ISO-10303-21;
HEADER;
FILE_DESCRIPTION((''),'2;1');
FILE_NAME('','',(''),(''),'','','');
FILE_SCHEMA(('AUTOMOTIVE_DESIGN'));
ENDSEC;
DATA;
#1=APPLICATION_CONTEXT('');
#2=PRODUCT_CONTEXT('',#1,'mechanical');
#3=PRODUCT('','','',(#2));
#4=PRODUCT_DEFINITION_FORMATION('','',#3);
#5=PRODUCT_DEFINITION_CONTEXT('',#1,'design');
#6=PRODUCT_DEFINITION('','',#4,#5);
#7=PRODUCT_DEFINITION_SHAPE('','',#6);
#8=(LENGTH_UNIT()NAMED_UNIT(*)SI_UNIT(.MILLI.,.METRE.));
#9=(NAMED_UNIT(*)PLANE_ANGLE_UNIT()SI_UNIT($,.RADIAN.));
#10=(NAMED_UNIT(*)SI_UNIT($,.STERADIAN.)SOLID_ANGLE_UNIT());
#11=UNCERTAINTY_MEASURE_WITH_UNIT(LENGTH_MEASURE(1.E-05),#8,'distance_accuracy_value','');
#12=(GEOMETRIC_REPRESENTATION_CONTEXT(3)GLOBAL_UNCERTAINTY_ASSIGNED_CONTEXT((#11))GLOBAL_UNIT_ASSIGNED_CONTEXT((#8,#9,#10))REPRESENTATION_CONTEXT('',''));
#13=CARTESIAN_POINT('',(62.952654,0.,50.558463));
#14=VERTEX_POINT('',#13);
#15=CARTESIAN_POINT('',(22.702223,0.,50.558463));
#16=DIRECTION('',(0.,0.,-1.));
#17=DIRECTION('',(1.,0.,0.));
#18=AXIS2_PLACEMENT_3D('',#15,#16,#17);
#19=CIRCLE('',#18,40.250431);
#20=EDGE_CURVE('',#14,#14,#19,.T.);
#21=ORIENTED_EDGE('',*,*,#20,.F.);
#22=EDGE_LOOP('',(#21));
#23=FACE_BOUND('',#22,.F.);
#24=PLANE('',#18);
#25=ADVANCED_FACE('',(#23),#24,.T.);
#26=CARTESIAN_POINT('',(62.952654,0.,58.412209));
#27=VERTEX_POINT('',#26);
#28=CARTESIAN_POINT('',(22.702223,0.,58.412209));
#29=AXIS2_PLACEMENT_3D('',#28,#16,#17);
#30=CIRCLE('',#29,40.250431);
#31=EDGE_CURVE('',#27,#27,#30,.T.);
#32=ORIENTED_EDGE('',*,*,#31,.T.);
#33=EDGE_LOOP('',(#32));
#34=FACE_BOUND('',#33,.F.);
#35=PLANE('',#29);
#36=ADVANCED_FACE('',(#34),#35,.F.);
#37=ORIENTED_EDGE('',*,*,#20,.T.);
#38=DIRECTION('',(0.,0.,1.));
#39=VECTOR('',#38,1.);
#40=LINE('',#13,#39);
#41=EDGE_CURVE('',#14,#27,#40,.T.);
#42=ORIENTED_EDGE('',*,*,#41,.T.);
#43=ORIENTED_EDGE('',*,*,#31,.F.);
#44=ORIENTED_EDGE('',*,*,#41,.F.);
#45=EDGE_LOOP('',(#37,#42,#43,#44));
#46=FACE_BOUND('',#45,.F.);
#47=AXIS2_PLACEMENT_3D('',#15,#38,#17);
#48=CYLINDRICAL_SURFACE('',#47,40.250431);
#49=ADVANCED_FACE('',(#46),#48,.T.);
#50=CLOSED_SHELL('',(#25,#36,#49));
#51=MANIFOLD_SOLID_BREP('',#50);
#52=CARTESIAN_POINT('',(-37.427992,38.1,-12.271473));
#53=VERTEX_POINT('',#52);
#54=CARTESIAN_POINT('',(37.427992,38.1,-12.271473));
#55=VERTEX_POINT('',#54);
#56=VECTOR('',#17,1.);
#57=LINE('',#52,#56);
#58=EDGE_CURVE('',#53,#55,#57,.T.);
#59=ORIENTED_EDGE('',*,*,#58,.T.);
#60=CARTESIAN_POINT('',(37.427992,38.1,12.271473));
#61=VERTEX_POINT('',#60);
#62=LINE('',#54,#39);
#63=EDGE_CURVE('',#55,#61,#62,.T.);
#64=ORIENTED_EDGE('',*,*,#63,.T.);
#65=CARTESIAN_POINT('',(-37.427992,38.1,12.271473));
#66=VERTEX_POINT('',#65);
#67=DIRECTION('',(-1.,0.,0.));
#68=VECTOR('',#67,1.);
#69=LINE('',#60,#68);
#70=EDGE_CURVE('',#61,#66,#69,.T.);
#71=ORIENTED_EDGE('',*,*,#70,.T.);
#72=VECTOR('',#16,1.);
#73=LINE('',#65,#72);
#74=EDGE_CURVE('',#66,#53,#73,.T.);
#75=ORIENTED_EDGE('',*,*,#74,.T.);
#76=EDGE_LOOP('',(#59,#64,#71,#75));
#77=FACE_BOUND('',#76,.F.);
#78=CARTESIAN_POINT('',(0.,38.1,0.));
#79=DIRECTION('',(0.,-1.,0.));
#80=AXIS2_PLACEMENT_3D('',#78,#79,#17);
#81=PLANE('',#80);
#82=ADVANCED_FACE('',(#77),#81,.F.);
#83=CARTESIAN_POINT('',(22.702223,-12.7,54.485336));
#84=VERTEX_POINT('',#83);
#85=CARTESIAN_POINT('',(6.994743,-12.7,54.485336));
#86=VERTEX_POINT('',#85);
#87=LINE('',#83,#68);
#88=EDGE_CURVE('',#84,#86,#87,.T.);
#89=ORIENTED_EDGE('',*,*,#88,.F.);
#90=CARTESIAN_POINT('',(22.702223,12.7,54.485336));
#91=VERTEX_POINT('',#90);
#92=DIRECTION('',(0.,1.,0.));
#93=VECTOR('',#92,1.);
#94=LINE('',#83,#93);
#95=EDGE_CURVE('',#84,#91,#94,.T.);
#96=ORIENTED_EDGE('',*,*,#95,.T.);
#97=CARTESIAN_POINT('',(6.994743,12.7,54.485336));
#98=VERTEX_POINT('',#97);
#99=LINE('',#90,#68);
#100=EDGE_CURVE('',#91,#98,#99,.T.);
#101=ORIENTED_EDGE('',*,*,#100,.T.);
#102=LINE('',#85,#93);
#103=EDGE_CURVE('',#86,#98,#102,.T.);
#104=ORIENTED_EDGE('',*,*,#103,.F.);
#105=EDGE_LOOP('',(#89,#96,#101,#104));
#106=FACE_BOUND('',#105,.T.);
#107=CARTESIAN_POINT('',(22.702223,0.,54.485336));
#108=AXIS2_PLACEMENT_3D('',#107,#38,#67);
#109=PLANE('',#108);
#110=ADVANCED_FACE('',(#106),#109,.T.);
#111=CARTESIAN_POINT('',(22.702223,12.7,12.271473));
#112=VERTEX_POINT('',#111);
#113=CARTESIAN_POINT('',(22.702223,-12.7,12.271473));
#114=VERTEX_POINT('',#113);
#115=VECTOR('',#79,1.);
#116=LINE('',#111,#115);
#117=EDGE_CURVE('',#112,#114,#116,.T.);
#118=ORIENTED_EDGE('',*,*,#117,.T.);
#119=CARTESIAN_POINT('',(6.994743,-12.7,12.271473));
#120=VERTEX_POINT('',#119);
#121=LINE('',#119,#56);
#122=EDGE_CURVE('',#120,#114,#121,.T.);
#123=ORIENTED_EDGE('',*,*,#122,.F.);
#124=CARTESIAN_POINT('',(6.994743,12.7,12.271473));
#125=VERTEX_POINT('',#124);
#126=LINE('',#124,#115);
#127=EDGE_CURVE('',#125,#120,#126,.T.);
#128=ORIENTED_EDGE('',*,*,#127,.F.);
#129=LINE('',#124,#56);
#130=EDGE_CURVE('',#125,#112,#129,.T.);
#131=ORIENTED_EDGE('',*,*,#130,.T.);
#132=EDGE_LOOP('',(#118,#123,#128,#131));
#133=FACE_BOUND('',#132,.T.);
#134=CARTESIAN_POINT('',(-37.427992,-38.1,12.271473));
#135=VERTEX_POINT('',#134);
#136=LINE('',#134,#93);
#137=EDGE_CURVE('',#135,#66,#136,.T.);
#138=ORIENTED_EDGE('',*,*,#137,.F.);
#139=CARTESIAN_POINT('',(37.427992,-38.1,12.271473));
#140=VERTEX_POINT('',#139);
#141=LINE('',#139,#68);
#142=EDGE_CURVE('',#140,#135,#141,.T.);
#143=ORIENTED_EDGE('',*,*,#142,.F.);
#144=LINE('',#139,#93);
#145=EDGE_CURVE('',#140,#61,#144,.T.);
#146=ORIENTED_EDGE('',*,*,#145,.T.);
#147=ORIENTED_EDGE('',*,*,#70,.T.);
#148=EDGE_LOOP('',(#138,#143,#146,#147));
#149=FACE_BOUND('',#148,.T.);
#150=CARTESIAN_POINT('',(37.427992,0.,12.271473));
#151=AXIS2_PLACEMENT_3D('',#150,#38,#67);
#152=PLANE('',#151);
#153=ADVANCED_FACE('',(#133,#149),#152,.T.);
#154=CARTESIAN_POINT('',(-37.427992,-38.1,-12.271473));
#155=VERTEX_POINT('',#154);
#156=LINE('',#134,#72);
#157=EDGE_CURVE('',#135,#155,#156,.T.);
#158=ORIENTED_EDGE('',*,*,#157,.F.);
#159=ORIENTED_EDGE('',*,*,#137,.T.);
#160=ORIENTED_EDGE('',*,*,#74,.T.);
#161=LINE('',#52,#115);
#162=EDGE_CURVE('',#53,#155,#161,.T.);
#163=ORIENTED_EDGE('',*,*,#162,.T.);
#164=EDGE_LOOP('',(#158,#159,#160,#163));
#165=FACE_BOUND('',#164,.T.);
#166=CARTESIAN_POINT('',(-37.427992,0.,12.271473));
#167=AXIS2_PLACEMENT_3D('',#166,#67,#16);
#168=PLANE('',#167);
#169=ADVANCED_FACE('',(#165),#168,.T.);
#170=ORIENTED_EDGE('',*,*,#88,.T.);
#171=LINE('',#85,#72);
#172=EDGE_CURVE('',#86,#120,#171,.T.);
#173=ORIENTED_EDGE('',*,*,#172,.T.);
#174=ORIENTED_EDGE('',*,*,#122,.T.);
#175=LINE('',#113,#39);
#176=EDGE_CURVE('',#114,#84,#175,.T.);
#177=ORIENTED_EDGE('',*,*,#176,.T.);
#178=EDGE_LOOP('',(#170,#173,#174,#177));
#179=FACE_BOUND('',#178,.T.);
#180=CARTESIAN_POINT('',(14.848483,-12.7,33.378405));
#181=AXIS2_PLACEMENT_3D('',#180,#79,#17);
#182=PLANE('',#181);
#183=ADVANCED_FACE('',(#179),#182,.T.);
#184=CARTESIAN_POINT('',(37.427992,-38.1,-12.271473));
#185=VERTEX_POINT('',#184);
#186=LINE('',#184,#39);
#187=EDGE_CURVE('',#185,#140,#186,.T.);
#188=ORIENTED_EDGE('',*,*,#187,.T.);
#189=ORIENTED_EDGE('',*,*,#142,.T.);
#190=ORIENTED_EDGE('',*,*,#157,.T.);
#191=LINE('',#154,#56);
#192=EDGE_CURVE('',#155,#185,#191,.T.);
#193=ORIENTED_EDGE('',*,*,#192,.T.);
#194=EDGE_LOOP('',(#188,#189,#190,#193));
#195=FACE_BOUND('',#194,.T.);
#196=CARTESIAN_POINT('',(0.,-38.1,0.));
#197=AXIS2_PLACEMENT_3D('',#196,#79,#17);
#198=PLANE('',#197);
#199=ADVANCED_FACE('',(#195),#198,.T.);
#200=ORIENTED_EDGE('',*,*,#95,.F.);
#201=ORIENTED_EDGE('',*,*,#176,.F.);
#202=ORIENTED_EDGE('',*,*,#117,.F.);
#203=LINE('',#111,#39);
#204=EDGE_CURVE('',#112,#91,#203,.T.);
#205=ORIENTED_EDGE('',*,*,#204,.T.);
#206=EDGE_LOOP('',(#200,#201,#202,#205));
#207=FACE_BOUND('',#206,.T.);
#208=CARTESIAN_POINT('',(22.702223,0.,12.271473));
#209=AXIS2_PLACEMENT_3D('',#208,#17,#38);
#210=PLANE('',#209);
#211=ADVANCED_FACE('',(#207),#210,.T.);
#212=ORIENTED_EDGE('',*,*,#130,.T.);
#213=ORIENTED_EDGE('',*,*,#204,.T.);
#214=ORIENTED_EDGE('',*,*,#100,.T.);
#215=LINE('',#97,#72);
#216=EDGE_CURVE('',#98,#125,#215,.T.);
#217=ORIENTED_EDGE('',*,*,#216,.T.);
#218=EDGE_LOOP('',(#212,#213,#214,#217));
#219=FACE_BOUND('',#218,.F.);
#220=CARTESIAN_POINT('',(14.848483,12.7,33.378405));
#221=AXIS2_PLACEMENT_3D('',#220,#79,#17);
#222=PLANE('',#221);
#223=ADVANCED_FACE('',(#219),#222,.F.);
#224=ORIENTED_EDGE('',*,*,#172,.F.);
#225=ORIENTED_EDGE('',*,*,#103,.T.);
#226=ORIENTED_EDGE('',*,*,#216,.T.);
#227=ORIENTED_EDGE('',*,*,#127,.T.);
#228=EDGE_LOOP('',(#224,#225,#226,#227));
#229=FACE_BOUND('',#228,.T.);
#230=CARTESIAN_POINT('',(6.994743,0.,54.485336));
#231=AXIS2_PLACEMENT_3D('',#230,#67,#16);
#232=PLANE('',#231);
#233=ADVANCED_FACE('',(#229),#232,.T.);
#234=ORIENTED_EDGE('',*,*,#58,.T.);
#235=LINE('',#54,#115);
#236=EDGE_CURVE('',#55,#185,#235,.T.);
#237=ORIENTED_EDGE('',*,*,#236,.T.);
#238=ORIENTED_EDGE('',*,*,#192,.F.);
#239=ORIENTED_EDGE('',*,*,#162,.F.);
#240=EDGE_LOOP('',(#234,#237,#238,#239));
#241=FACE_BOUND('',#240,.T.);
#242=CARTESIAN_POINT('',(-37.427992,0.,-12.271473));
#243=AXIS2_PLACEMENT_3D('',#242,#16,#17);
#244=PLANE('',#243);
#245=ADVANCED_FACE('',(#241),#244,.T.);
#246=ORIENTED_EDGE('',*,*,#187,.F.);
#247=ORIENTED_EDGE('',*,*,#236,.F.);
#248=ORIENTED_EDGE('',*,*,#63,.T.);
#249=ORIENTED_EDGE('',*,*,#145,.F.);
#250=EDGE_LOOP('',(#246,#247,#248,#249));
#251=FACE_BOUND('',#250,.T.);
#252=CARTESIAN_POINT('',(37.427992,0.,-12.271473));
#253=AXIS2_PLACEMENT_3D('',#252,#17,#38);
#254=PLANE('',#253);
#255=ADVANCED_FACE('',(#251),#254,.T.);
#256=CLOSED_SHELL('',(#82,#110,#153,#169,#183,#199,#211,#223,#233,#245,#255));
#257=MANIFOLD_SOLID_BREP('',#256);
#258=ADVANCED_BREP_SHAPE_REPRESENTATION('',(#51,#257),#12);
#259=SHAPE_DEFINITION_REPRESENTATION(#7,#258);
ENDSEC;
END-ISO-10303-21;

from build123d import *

# Parameters (mm, degrees)
F1_DEPTH = 38.1
F2_DEPTH = 12.7


with BuildPart() as f1:
    # F0 (on Front) → F1 (new body, symmetric)
    with BuildSketch(Plane.XZ):
        Polygon((6.994743, 12.271473), (-37.427992, 12.271473), (-37.427992, -12.271473), (37.427992, -12.271473), (37.427992, 12.271473), (22.702223, 12.271473), align=None)
    extrude(amount=F1_DEPTH, both=True)

    # F0 (on Front) → F2 (join, symmetric)
    with BuildSketch(Plane.XZ):
        Polygon((6.994743, 54.485336), (6.994743, 12.271473), (22.702223, 12.271473), (22.702223, 50.558463), (22.702223, 54.485336), align=None)
    extrude(amount=F2_DEPTH, both=True)


with BuildPart() as f3:
    # F0 (on Front) → F3 (revolve)
    with BuildSketch(Plane.XZ):
        Polygon((22.702223, 54.485336), (22.702223, 50.558463), (62.952654, 50.558463), (62.952654, 58.412209), (22.702223, 58.412209), align=None)
    revolve(axis=Axis((22.702223, 0, 33.378405), (0, 0, -1)))


solid = Compound([f1.part, f3.part])
